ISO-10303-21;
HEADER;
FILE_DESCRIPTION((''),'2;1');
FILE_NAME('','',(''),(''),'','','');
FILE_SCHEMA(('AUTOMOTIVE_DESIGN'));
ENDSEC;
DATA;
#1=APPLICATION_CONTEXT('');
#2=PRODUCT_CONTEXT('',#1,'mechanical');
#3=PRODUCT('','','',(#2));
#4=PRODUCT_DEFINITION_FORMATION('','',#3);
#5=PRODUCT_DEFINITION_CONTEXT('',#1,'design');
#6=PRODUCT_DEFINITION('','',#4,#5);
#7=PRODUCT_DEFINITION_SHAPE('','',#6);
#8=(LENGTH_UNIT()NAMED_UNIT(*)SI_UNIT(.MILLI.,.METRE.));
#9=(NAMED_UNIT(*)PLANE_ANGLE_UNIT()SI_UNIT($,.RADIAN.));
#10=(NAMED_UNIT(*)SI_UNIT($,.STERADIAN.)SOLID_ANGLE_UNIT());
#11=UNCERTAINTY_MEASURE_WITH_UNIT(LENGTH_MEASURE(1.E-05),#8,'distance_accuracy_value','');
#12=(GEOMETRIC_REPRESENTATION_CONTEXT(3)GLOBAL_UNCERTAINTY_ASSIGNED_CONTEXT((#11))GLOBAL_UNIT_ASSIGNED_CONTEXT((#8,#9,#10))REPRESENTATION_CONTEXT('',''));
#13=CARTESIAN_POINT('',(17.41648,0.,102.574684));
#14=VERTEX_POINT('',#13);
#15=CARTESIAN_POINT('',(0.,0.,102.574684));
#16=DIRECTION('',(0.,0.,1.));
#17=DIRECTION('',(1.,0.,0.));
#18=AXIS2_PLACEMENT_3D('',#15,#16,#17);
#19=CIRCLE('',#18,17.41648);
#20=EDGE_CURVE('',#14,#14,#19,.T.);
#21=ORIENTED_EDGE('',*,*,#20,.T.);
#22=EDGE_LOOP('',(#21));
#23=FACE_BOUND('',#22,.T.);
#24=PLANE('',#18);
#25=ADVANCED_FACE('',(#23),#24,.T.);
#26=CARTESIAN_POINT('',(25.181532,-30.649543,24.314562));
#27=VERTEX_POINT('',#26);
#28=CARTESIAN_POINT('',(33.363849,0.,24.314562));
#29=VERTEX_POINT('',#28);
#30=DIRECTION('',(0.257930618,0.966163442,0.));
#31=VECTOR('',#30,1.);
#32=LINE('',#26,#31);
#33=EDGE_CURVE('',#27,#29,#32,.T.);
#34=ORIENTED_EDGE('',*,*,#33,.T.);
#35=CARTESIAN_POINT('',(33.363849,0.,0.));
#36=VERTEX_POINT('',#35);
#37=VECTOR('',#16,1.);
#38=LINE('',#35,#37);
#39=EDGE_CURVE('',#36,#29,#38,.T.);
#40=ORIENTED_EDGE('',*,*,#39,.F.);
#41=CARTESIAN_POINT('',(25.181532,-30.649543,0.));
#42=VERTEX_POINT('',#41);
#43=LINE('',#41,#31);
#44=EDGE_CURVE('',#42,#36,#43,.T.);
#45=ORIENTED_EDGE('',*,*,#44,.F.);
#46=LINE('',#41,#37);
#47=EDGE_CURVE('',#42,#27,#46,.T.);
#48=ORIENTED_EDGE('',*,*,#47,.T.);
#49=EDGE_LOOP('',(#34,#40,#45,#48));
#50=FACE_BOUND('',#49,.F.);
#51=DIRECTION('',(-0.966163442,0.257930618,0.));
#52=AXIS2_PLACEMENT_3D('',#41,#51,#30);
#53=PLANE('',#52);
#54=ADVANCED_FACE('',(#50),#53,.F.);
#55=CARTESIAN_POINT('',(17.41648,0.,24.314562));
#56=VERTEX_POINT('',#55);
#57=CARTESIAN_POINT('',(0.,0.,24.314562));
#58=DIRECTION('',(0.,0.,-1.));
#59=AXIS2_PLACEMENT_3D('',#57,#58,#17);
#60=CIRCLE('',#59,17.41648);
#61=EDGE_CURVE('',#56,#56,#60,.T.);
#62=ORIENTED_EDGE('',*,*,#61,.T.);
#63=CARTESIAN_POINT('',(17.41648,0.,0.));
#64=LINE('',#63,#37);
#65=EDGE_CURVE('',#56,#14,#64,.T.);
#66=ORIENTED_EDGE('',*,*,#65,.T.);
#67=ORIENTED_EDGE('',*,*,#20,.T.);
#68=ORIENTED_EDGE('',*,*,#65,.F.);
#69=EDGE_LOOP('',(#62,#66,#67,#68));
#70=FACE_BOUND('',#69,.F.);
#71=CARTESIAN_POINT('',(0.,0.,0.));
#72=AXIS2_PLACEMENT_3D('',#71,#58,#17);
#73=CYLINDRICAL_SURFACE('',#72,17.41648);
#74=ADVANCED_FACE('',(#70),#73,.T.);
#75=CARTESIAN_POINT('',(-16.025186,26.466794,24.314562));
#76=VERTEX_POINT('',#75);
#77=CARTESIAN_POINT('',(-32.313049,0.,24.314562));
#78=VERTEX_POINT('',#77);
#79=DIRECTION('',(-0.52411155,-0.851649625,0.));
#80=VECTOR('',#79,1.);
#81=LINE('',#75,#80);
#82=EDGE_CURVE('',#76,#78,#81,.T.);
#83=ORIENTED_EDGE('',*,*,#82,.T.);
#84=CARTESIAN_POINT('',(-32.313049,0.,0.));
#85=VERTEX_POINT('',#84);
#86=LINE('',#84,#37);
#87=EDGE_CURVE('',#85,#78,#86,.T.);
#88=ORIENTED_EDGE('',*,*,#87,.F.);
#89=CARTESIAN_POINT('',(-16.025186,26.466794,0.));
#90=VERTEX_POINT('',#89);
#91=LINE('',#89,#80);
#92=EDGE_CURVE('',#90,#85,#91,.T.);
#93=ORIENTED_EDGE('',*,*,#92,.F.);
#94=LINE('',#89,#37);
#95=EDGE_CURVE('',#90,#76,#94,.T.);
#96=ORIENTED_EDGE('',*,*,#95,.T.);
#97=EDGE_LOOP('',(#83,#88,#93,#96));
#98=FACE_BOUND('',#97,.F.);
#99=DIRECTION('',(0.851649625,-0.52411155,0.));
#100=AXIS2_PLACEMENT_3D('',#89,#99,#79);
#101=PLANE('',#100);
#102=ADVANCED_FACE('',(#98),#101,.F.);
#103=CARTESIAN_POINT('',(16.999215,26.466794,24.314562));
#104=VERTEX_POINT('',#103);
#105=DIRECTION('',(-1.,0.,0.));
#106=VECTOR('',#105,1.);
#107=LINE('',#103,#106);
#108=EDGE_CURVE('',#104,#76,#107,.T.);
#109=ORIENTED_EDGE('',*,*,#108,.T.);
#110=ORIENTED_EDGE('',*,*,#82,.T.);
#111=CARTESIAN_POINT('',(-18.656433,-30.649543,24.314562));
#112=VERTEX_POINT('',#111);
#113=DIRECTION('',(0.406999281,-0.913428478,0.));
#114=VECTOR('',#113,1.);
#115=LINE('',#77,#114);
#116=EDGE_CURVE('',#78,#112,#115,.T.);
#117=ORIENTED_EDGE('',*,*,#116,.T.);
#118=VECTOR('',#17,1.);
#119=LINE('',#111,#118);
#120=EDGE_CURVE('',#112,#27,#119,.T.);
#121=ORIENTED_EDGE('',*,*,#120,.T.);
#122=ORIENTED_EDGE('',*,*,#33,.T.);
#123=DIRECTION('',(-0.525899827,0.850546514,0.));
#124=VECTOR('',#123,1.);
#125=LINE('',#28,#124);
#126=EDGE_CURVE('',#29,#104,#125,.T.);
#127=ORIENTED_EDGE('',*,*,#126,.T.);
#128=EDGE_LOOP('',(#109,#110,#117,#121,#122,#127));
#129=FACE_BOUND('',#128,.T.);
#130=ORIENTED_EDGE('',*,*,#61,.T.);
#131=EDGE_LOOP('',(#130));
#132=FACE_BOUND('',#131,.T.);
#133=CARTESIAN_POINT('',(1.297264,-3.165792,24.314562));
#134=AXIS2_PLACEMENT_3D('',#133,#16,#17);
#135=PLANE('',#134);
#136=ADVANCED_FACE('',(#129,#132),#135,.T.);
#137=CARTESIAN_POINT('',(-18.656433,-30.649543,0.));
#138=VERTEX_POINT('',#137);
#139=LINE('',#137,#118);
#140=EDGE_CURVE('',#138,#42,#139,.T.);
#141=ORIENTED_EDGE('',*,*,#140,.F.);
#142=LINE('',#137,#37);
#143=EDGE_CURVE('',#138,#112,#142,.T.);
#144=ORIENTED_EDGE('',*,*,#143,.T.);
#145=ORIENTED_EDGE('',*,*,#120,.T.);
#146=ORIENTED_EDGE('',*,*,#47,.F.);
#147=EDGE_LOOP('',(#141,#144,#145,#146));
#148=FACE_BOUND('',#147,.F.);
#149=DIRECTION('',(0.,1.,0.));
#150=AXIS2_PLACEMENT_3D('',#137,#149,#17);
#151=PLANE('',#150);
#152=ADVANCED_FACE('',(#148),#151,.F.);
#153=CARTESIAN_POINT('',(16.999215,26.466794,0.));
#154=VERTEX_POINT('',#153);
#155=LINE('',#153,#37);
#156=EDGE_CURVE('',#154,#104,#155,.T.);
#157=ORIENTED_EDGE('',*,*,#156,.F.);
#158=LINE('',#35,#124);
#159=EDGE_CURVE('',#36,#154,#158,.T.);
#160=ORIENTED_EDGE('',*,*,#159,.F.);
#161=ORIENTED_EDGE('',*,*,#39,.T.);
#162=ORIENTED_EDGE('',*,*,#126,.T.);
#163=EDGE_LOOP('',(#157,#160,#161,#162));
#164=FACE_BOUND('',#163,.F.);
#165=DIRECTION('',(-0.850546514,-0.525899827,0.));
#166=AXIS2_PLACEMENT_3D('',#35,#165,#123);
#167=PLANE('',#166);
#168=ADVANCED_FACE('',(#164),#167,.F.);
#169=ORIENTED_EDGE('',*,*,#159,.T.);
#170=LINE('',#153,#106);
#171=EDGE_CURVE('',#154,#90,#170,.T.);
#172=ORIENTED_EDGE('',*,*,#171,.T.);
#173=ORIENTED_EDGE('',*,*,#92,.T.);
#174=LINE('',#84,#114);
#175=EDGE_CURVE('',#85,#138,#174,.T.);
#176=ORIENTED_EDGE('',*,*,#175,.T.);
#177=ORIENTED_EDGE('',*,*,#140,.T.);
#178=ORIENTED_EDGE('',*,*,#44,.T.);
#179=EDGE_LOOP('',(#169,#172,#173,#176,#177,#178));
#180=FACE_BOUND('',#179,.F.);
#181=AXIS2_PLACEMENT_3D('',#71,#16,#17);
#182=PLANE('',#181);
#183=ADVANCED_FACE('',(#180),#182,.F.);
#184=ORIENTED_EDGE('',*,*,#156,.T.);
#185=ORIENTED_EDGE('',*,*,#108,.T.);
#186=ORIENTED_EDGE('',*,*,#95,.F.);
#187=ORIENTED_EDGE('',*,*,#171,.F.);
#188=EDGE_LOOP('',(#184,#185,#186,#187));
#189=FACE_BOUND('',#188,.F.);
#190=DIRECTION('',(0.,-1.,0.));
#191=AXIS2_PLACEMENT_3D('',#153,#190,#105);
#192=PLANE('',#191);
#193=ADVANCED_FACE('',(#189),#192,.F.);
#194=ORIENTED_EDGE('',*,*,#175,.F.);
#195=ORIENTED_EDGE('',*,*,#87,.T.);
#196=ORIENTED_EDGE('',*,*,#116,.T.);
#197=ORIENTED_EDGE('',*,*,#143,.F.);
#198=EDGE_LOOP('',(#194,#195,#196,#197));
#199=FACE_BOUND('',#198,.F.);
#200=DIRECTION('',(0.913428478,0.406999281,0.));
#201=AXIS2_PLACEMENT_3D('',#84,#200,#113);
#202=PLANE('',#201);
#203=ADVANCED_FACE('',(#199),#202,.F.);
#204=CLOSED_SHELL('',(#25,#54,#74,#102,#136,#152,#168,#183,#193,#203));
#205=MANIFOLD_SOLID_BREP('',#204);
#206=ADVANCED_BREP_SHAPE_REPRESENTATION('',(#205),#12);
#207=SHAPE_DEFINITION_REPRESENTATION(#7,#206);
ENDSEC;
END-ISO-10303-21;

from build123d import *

# Parameters (mm, degrees)
F1_DEPTH = 24.314562
F2_R     = 17.41648
F3_DEPTH = 102.574684


with BuildPart() as f1:
    # F0 (on Top) → F1 (new body)
    with BuildSketch(Plane.XY):
        Polygon((-16.025186, 26.466794), (-32.313049, 0), (-18.656433, -30.649543), (25.181532, -30.649543), (33.363849, 0), (16.999215, 26.466794), align=None)
    extrude(amount=F1_DEPTH)

    # F2 (on Top) → F3 (join)
    with BuildSketch(Plane.XY):
        Circle(F2_R)
    extrude(amount=F3_DEPTH)


solid = f1.part
